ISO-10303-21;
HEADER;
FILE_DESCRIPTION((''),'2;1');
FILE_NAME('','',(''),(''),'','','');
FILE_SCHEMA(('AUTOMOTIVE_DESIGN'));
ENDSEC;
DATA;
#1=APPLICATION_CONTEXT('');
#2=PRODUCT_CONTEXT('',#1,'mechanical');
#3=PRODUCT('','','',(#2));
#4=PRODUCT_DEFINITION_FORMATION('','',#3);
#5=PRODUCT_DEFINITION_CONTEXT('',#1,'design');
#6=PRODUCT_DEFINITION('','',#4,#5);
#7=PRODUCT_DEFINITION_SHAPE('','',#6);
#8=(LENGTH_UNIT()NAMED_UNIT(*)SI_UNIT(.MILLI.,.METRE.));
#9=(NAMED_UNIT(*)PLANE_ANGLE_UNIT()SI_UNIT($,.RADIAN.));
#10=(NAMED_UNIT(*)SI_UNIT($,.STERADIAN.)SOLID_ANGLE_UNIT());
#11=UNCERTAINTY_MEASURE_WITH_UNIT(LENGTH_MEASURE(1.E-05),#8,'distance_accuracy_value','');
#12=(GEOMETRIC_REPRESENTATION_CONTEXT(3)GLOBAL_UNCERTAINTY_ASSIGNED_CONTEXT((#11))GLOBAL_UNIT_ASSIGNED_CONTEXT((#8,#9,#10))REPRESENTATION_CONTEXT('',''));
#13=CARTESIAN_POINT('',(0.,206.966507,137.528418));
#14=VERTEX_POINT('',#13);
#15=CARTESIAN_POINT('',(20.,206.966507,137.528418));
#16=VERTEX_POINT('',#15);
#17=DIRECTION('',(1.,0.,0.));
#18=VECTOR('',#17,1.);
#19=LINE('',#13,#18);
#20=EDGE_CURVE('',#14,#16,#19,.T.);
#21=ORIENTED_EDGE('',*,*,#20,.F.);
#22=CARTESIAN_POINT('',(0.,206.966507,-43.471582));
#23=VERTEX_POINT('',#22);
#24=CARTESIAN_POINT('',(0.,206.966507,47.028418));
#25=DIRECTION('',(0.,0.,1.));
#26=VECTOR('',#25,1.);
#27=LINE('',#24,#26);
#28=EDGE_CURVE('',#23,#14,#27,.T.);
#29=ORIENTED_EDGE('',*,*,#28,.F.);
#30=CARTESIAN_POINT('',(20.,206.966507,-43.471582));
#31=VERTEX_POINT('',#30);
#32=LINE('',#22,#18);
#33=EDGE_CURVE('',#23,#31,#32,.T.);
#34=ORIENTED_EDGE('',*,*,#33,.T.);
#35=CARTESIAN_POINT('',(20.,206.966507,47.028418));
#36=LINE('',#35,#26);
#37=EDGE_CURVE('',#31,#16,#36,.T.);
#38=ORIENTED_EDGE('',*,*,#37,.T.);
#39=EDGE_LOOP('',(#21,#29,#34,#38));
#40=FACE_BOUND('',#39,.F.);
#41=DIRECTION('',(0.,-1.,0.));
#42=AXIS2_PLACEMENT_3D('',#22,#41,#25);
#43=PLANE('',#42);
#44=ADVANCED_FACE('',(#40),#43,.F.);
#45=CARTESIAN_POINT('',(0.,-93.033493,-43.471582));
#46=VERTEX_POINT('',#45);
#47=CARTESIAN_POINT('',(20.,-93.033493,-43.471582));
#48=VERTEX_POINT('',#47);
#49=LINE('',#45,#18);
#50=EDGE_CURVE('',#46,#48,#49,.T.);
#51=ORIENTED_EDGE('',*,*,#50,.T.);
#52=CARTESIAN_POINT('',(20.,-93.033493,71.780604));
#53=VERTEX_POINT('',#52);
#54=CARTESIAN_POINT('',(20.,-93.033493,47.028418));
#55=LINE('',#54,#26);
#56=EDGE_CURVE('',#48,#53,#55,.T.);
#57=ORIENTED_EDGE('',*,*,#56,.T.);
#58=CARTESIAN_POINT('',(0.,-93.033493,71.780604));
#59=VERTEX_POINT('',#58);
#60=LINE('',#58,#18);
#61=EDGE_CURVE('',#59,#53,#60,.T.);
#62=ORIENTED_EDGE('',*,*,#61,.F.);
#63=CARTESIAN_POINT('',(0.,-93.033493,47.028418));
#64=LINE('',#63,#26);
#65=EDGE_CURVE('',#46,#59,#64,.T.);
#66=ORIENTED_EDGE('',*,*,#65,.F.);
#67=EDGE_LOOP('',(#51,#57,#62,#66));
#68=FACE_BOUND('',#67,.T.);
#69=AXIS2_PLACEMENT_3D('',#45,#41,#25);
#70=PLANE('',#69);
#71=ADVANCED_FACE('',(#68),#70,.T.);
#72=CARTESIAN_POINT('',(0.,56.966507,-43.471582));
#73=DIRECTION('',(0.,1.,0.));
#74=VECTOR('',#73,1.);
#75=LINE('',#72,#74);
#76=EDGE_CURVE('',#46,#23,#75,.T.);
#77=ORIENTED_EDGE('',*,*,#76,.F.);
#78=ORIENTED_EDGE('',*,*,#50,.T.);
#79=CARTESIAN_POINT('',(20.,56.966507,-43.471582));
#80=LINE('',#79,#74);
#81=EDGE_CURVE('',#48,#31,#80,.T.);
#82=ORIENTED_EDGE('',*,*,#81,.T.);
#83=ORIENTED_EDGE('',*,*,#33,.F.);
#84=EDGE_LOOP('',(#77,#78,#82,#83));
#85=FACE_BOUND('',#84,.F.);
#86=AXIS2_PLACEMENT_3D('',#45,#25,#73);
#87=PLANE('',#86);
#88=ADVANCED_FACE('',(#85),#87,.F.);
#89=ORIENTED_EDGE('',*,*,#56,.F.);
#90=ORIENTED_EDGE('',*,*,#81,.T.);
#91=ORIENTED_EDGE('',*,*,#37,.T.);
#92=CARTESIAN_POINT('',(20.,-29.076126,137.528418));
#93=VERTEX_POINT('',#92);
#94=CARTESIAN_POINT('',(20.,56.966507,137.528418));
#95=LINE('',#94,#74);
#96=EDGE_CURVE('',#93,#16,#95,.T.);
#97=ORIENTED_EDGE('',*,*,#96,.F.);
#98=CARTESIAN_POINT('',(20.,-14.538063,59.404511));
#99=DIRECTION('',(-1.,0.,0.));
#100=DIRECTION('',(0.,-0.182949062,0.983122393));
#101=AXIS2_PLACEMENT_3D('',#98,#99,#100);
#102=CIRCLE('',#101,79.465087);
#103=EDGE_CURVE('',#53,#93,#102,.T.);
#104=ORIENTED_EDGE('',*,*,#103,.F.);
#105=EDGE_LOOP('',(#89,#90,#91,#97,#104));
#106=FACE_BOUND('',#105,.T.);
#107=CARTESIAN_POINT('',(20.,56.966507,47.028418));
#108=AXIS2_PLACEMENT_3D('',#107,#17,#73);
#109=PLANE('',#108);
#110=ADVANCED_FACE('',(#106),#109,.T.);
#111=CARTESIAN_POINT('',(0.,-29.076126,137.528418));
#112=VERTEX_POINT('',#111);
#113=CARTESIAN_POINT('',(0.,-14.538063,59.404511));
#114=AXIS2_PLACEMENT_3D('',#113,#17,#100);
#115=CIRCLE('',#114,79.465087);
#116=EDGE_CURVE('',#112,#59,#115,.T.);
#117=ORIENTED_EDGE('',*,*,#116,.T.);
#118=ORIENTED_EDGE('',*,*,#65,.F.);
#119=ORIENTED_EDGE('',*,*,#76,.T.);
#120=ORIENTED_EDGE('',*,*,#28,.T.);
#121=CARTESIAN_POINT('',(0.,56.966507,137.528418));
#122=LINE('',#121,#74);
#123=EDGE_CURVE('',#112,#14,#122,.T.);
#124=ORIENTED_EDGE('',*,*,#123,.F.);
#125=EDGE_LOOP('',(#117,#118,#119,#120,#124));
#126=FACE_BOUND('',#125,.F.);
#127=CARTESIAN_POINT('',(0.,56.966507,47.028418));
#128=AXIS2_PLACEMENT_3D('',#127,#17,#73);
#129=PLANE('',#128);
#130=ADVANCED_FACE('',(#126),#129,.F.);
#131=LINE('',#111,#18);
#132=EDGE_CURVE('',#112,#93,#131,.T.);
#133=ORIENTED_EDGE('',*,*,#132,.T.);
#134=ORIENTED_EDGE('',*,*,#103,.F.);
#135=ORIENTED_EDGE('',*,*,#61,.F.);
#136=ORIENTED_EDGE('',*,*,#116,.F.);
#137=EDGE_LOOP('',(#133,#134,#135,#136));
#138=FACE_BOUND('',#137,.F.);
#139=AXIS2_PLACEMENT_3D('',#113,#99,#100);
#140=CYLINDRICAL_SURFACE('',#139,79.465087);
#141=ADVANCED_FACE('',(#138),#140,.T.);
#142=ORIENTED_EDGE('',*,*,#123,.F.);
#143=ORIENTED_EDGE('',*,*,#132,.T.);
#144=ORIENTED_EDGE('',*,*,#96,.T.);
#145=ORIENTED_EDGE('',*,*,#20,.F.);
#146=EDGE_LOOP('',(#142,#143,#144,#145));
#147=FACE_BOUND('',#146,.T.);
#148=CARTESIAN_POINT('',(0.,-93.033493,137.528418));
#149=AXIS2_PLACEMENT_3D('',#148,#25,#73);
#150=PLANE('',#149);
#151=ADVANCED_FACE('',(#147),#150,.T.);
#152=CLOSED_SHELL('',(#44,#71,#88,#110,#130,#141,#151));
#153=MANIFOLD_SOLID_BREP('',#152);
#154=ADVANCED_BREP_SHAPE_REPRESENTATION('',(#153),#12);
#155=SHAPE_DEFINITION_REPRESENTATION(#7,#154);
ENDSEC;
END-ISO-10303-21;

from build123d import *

# Parameters (mm, degrees)
F0_W     = 300
F0_H     = 181
F1_DEPTH = 20
F3_DEPTH = 25


with BuildPart() as f1:
    # F0 (on Right) → F1 (new body)
    with BuildSketch(Plane.YZ):
        with Locations((56.9665074348, 47.0284177661)):
            Rectangle(F0_W, F0_H)
    extrude(amount=F1_DEPTH)

    # F2 (on face) → F3 (cut)
    with BuildSketch(Plane(origin=(0, 0, 0), x_dir=(0, -1, 0), z_dir=(-1, 0, 0))):
        with BuildLine():
            ThreePointArc((29.0761264443, 137.5284177661), (71.4985884861, 114.8138843724), (93.0334925652, 71.7806040038))
            Line((93.0334925652, 71.7806040038), (93.0334925652, 137.5284177661))
            Line((93.0334925652, 137.5284177661), (29.0761264443, 137.5284177661))
        make_face()
    extrude(amount=-F3_DEPTH, mode=Mode.SUBTRACT)


solid = f1.part
